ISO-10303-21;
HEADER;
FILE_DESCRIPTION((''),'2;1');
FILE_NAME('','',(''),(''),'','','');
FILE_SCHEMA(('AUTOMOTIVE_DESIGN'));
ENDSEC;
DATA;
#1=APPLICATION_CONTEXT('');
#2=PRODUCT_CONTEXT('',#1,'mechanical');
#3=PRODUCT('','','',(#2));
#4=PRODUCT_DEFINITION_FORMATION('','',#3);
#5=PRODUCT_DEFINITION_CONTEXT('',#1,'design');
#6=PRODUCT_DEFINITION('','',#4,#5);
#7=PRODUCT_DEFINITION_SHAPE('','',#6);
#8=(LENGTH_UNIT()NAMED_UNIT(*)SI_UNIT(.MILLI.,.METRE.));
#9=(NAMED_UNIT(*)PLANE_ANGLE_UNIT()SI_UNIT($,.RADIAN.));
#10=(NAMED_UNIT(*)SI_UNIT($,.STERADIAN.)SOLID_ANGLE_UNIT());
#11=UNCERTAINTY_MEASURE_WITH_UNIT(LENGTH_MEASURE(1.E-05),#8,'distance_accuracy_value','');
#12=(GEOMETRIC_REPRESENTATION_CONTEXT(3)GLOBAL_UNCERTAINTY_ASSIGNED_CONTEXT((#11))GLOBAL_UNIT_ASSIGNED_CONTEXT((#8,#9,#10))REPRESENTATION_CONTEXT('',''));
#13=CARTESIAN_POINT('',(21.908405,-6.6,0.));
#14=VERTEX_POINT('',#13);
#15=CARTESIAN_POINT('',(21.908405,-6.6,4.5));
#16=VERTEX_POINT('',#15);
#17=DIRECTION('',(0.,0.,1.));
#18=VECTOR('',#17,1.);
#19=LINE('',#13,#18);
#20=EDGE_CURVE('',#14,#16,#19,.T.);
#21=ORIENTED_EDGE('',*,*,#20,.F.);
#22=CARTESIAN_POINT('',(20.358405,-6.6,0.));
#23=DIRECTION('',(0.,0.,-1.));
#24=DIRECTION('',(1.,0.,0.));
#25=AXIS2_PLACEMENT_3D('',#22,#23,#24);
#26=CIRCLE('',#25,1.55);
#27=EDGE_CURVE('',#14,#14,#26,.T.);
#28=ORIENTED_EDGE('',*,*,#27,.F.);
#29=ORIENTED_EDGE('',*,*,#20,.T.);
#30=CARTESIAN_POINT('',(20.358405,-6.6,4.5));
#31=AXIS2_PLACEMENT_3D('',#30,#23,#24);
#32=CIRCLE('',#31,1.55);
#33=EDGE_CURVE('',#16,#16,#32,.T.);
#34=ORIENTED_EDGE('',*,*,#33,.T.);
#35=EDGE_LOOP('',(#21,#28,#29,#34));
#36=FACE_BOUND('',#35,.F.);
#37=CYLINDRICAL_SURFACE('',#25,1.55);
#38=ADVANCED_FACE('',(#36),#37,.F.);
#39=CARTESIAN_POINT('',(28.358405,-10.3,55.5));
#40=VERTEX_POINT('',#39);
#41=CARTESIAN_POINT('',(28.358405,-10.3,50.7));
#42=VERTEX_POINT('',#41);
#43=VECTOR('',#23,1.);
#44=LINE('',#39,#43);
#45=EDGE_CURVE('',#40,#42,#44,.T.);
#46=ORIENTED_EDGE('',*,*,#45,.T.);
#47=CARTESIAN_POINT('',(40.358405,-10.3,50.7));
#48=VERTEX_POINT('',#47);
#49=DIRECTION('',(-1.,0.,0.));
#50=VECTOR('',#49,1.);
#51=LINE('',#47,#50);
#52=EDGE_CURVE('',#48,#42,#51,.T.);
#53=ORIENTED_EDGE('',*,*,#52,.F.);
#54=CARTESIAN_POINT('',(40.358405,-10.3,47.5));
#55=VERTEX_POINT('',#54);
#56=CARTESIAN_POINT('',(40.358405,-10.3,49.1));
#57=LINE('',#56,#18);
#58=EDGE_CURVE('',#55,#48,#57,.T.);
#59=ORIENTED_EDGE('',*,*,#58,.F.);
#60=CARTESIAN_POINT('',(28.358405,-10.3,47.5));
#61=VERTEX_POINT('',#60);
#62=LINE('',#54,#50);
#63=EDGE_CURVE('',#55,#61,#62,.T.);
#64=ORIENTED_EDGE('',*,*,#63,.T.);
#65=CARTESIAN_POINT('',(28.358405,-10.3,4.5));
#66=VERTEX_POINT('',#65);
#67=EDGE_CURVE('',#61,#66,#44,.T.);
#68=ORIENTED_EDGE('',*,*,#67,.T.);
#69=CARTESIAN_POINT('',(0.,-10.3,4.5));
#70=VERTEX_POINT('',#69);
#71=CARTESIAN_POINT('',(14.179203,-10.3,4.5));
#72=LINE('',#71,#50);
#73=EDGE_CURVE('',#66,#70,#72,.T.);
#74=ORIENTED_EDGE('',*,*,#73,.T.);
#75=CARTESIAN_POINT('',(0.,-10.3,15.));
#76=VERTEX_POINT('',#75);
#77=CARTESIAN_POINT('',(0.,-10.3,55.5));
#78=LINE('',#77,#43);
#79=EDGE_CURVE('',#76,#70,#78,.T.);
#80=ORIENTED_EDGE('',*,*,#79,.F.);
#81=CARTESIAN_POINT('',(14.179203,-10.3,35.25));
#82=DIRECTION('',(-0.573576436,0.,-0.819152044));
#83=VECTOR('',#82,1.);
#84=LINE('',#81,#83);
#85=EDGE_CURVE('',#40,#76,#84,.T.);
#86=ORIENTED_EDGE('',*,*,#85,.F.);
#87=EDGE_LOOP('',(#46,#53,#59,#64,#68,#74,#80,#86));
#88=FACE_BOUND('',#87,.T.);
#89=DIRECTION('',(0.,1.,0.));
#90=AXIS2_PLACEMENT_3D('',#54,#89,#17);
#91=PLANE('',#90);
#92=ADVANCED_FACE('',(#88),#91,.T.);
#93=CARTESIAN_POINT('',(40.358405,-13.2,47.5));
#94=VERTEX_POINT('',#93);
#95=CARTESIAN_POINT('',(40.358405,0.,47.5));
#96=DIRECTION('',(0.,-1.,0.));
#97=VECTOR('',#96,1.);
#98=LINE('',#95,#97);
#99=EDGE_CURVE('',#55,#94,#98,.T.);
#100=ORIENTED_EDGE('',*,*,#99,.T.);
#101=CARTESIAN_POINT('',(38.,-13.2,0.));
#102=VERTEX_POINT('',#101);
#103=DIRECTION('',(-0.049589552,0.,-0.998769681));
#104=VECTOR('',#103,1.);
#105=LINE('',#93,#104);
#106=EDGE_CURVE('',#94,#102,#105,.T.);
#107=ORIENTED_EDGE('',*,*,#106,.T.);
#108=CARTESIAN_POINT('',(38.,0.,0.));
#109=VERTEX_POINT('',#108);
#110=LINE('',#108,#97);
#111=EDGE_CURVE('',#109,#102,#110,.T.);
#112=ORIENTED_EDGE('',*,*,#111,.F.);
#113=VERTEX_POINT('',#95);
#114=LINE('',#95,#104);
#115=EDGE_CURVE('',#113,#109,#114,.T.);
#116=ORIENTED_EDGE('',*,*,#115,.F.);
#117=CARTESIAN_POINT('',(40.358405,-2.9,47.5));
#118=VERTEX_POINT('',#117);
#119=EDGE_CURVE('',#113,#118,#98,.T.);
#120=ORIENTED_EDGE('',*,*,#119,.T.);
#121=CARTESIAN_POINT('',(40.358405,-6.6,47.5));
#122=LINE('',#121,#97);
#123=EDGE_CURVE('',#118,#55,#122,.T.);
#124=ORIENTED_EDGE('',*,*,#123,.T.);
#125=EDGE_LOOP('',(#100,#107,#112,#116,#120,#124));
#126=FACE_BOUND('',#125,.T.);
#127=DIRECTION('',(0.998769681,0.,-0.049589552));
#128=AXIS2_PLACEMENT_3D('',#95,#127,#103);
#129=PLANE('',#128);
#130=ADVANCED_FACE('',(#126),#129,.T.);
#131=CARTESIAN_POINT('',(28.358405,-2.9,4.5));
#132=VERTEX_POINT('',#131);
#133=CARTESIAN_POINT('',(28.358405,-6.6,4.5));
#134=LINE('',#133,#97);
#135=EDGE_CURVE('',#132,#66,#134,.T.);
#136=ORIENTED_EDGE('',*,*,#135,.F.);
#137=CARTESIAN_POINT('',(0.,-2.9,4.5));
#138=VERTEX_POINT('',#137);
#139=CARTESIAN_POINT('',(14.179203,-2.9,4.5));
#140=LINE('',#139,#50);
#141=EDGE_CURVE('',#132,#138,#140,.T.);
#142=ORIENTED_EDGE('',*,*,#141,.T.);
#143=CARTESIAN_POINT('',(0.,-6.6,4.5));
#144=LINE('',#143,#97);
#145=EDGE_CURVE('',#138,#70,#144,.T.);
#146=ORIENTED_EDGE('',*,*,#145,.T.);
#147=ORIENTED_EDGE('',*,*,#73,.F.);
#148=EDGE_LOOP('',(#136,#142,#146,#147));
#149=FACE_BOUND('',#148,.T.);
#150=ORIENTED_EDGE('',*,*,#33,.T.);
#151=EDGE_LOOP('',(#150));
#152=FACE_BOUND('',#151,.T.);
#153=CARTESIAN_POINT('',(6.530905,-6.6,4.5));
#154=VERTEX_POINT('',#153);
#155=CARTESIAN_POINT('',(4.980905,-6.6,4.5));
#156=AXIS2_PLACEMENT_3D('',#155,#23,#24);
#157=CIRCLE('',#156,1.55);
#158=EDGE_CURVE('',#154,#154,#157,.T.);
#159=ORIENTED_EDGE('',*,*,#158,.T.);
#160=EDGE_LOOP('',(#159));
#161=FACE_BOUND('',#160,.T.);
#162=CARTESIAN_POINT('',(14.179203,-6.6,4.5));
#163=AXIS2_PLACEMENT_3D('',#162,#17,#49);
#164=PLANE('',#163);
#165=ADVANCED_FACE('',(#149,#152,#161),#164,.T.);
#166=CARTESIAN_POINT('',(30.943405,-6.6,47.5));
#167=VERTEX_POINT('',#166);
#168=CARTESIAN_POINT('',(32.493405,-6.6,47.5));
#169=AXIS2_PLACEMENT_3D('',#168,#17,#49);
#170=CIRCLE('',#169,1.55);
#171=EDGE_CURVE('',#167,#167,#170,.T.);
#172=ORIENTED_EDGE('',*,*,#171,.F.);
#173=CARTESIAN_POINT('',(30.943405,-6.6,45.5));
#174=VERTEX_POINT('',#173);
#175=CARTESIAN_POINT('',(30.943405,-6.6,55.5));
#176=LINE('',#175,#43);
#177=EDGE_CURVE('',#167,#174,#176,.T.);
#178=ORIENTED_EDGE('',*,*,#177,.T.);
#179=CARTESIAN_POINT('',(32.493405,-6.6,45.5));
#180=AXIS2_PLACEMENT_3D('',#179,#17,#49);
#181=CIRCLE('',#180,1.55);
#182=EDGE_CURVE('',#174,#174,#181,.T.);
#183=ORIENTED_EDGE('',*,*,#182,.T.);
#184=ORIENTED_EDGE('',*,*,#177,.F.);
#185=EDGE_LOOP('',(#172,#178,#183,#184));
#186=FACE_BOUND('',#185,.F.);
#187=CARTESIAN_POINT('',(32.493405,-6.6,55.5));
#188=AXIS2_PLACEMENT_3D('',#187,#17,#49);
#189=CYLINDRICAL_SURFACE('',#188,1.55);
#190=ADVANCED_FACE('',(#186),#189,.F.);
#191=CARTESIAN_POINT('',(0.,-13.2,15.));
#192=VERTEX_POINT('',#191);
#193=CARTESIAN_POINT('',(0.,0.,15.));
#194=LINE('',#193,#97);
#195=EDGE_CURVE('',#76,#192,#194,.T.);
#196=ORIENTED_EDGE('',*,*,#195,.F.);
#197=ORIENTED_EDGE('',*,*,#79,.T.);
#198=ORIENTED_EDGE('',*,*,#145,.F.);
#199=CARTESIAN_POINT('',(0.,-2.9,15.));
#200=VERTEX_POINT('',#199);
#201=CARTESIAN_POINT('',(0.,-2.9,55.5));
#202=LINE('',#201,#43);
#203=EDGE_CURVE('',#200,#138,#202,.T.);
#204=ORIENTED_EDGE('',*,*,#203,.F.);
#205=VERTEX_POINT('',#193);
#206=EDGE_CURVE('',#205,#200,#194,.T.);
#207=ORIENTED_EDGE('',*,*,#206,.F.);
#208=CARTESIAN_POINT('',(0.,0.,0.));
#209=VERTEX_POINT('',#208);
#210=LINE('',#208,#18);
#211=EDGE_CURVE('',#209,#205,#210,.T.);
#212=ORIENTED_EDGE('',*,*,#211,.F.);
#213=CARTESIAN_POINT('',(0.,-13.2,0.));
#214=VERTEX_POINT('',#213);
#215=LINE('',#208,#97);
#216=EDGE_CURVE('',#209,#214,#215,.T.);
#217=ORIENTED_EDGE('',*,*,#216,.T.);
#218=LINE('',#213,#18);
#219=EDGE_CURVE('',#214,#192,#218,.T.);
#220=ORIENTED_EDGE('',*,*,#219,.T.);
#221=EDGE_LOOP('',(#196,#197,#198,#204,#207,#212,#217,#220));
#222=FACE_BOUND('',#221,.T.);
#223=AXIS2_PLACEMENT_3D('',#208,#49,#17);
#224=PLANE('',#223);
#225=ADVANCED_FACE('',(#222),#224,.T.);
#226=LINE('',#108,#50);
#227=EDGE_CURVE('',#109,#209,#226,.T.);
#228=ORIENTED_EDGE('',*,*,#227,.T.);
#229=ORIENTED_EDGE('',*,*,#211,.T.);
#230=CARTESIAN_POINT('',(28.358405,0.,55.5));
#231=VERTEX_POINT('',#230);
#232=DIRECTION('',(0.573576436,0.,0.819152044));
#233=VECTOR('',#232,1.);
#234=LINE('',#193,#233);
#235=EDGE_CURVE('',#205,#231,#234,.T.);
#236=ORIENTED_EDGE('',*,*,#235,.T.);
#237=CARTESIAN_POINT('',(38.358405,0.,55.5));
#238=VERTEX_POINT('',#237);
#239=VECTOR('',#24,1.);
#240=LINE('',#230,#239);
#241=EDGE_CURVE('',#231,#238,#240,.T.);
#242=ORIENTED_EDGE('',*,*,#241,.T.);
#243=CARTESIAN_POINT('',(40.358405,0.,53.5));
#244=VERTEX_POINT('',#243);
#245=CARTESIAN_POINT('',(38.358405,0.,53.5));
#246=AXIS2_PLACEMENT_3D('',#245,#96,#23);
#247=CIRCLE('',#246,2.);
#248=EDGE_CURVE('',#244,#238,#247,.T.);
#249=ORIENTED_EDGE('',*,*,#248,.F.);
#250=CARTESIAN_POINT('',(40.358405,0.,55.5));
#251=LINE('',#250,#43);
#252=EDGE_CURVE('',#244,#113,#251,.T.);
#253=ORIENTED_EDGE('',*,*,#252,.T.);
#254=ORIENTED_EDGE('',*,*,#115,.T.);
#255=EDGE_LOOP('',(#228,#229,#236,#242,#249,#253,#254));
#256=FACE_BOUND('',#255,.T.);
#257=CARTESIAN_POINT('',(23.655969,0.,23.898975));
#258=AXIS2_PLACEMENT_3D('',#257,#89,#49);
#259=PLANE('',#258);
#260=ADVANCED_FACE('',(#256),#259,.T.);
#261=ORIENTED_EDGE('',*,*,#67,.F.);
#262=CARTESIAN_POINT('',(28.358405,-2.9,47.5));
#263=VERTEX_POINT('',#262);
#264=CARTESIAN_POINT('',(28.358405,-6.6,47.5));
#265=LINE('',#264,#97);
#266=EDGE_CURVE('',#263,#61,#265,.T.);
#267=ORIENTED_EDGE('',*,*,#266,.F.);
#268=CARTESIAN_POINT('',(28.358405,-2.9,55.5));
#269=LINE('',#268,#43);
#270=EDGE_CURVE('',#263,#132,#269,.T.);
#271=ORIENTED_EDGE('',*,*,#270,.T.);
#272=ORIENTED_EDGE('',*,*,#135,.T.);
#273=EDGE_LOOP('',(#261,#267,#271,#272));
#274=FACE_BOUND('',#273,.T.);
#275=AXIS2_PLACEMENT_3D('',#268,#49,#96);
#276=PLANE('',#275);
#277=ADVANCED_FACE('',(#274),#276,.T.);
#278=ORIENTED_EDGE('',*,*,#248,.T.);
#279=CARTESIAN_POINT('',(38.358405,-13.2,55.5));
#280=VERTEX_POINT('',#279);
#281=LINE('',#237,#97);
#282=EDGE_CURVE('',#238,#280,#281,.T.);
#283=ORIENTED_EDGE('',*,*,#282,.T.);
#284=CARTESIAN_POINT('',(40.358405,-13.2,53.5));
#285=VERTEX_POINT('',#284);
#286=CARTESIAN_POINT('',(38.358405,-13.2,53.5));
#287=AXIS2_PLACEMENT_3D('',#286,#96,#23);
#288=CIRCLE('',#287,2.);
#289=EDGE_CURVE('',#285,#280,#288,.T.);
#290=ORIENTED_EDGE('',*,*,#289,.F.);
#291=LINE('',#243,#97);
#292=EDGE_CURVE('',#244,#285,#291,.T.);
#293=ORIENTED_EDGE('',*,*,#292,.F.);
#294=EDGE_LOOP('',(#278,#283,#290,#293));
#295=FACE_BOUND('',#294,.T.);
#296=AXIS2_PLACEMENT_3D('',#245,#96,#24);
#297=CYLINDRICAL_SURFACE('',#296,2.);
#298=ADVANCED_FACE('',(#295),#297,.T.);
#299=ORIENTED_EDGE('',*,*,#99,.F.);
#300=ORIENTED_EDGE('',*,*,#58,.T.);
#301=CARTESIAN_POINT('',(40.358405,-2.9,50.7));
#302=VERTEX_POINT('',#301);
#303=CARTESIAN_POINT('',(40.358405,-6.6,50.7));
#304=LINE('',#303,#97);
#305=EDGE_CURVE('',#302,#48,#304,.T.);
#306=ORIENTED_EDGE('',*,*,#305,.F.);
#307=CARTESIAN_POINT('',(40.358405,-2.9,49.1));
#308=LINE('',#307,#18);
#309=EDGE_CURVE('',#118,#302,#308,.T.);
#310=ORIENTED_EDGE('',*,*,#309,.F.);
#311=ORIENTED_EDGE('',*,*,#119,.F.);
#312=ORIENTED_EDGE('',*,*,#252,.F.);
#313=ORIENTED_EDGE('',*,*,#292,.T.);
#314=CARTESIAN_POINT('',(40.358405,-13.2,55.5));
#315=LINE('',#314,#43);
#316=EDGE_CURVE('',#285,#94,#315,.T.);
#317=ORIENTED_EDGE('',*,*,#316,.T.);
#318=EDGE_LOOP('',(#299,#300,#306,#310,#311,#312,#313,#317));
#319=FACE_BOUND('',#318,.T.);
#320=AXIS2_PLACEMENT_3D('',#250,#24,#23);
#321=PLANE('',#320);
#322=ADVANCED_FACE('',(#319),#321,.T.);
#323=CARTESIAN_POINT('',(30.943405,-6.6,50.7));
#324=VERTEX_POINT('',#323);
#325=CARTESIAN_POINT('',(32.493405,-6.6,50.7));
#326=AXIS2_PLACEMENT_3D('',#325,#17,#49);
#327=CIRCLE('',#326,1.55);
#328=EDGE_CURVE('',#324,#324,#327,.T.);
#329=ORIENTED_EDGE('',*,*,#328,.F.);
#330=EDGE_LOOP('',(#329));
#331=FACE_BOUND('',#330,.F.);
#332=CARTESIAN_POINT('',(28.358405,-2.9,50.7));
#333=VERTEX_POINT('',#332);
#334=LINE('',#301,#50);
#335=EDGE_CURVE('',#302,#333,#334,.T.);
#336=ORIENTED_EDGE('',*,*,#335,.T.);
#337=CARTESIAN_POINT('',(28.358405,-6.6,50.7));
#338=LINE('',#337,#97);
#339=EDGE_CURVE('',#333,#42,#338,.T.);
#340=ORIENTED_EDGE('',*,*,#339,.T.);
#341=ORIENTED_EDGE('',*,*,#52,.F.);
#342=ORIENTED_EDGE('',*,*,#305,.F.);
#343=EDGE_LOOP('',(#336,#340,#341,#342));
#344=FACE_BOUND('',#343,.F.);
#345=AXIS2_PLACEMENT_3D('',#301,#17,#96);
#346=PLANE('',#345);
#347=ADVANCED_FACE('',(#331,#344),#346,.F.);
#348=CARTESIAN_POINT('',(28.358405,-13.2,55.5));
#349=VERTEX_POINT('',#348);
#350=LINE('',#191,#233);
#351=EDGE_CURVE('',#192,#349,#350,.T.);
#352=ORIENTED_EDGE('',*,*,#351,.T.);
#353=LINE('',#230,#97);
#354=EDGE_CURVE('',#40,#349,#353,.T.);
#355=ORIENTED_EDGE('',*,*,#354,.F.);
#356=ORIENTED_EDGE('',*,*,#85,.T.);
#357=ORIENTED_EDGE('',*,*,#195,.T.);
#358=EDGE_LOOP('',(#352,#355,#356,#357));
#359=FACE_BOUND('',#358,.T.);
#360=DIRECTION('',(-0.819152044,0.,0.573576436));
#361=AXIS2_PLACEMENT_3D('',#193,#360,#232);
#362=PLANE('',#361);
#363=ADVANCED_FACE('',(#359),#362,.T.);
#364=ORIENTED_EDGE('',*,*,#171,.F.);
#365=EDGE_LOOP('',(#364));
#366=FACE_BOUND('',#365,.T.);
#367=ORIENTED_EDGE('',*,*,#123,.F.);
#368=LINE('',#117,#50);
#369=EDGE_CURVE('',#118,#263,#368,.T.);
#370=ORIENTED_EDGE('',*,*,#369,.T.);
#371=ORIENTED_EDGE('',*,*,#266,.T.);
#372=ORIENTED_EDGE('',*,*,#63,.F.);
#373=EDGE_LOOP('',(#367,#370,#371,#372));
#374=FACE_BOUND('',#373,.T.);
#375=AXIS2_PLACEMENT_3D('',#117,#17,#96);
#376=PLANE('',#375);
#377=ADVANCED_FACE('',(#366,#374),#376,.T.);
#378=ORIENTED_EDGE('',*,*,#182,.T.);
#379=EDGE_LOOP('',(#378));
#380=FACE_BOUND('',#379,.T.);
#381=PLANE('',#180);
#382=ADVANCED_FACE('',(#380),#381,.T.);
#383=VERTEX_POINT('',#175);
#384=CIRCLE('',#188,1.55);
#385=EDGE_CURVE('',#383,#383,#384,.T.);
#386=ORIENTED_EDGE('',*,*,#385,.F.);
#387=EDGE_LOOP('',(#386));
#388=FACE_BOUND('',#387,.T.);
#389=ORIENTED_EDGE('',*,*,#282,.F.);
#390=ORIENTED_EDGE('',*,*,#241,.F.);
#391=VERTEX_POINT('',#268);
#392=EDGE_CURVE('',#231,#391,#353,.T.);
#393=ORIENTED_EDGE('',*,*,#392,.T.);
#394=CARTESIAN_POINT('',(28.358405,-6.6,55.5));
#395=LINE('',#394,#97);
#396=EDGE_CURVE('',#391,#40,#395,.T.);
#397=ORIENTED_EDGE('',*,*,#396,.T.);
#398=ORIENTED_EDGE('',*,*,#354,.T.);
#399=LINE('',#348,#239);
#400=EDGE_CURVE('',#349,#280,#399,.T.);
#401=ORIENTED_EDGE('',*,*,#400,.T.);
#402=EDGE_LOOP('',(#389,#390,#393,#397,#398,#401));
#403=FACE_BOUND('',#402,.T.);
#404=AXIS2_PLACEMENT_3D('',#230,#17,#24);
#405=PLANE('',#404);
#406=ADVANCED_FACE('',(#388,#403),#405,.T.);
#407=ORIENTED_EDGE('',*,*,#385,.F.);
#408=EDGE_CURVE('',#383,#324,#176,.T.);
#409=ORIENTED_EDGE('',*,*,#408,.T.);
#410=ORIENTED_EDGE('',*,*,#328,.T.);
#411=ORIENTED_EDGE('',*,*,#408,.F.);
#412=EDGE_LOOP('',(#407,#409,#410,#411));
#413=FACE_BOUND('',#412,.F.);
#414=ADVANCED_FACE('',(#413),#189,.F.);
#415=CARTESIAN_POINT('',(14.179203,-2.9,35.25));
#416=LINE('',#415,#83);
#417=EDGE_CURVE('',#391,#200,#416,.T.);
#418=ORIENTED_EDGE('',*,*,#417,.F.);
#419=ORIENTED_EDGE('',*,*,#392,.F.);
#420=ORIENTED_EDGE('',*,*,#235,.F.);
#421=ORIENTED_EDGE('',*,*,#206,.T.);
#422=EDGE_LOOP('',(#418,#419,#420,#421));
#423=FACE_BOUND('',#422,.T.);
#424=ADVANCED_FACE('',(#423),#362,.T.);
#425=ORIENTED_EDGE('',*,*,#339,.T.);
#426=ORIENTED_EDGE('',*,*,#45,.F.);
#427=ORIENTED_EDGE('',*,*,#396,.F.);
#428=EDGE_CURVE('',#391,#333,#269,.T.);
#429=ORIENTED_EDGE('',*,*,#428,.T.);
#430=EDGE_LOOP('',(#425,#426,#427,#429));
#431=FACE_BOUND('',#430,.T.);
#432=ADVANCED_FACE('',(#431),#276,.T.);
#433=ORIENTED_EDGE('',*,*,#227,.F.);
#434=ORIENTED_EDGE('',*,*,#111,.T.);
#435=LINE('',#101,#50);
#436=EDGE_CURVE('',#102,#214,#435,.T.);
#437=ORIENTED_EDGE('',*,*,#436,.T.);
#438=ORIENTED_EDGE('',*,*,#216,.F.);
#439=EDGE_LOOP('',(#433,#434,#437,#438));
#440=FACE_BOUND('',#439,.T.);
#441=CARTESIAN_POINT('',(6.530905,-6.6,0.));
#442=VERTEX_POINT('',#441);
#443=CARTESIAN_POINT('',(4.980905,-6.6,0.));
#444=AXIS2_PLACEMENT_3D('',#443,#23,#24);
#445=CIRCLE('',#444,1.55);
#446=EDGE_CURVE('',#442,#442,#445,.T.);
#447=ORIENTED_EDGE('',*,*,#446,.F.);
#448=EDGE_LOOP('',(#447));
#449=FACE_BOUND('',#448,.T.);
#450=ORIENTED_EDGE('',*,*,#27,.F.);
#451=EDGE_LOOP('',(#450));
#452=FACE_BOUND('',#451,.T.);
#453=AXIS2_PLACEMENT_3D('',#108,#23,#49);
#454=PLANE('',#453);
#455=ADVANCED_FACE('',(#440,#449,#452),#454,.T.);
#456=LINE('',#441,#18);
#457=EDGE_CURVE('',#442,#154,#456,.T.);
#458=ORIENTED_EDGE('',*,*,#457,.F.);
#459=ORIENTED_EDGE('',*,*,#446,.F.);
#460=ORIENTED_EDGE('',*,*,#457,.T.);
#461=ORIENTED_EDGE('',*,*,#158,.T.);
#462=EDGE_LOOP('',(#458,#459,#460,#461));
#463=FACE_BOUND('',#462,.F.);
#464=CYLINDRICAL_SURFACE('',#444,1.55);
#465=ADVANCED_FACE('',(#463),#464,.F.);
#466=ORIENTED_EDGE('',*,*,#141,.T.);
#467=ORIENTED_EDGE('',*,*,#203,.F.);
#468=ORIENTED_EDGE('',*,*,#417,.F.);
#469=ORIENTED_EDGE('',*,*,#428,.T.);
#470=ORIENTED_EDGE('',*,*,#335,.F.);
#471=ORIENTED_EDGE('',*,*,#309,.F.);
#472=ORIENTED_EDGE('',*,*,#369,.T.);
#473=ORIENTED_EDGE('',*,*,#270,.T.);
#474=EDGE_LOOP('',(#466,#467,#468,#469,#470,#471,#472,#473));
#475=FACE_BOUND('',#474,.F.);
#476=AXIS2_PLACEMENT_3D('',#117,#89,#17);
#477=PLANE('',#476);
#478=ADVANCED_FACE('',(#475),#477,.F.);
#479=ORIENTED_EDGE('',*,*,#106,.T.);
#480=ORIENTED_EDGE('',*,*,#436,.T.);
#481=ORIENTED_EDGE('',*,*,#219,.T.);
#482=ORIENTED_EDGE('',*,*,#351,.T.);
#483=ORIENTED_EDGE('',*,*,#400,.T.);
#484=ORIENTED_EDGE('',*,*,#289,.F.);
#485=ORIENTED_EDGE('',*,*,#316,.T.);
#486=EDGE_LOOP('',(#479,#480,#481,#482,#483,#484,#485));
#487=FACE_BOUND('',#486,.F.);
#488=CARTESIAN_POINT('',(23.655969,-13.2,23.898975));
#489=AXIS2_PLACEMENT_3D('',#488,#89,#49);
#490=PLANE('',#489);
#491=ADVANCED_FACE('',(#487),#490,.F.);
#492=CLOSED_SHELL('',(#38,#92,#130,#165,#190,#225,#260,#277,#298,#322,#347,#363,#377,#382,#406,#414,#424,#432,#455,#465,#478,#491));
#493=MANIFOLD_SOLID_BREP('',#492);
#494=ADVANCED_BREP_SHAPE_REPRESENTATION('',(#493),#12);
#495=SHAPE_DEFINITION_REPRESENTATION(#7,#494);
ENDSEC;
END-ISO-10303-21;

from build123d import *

# Parameters (mm, degrees)
PAD034_DEPTH    = 13.2
SKETCH109_R     = 1.55
POCKET067_DEPTH = 80
SKETCH110_W     = 28.3584052975
SKETCH110_H     = 7.4
POCKET068_DEPTH = 51
SKETCH112_R     = 1.55
POCKET069_DEPTH = 10
FILLET_R        = 2
SKETCH113_W     = 3.2
SKETCH113_H     = 7.4
POCKET070_DEPTH = 12


with BuildPart() as part:
    # Sketch108 → Pad034 (new body)
    with BuildSketch(Plane.XZ):
        Polygon((40.3584052975, 55.5), (40.3584052975, 47.5), (38, 0), (0, 0), (0, 15), (28.3584052975, 55.5), align=None)
    extrude(amount=PAD034_DEPTH)

    # Sketch109 (on Face3 of Pad034) → Pocket067 (cut)
    with BuildSketch(Plane(origin=(0, 0, 0), x_dir=(1, 0, 0), z_dir=(0, 0, -1))):
        with Locations((4.9809052975, 6.6)):
            Circle(SKETCH109_R)
        with Locations((20.3584052975, 6.6)):
            Circle(SKETCH109_R)
    extrude(amount=-POCKET067_DEPTH, mode=Mode.SUBTRACT)

    # Sketch110 (on Face2 of Pocket067) → Pocket068 (cut)
    with BuildSketch(Plane(origin=(0, 0, 55.5), x_dir=(-1, 0, 0), z_dir=(0, 0, 1))):
        with Locations((-14.1792026487, 6.6)):
            Rectangle(SKETCH110_W, SKETCH110_H)
    extrude(amount=-POCKET068_DEPTH, mode=Mode.SUBTRACT)

    # Sketch112 (on Face2 of Pocket068) → Pocket069 (cut)
    with BuildSketch(Plane(origin=(0, 0, 55.5), x_dir=(-1, 0, 0), z_dir=(0, 0, 1))):
        with Locations((-32.4934052975, 6.6)):
            Circle(SKETCH112_R)
    extrude(amount=-POCKET069_DEPTH, mode=Mode.SUBTRACT)

    # Fillet
    fillet_edges = [part.edges().sort_by_distance(p)[0] for p in [
        (40.358405, -6.6, 55.5),
    ]]
    fillet(fillet_edges, radius=FILLET_R)

    # Sketch113 (on Face1 of Fillet) → Pocket070 (cut)
    with BuildSketch(Plane(origin=(40.3584052975, 0, 0), x_dir=(0, 0, 1), z_dir=(1, 0, 0))):
        with Locations((49.1, 6.6)):
            Rectangle(SKETCH113_W, SKETCH113_H)
    extrude(amount=-POCKET070_DEPTH, mode=Mode.SUBTRACT)


solid = part.part
